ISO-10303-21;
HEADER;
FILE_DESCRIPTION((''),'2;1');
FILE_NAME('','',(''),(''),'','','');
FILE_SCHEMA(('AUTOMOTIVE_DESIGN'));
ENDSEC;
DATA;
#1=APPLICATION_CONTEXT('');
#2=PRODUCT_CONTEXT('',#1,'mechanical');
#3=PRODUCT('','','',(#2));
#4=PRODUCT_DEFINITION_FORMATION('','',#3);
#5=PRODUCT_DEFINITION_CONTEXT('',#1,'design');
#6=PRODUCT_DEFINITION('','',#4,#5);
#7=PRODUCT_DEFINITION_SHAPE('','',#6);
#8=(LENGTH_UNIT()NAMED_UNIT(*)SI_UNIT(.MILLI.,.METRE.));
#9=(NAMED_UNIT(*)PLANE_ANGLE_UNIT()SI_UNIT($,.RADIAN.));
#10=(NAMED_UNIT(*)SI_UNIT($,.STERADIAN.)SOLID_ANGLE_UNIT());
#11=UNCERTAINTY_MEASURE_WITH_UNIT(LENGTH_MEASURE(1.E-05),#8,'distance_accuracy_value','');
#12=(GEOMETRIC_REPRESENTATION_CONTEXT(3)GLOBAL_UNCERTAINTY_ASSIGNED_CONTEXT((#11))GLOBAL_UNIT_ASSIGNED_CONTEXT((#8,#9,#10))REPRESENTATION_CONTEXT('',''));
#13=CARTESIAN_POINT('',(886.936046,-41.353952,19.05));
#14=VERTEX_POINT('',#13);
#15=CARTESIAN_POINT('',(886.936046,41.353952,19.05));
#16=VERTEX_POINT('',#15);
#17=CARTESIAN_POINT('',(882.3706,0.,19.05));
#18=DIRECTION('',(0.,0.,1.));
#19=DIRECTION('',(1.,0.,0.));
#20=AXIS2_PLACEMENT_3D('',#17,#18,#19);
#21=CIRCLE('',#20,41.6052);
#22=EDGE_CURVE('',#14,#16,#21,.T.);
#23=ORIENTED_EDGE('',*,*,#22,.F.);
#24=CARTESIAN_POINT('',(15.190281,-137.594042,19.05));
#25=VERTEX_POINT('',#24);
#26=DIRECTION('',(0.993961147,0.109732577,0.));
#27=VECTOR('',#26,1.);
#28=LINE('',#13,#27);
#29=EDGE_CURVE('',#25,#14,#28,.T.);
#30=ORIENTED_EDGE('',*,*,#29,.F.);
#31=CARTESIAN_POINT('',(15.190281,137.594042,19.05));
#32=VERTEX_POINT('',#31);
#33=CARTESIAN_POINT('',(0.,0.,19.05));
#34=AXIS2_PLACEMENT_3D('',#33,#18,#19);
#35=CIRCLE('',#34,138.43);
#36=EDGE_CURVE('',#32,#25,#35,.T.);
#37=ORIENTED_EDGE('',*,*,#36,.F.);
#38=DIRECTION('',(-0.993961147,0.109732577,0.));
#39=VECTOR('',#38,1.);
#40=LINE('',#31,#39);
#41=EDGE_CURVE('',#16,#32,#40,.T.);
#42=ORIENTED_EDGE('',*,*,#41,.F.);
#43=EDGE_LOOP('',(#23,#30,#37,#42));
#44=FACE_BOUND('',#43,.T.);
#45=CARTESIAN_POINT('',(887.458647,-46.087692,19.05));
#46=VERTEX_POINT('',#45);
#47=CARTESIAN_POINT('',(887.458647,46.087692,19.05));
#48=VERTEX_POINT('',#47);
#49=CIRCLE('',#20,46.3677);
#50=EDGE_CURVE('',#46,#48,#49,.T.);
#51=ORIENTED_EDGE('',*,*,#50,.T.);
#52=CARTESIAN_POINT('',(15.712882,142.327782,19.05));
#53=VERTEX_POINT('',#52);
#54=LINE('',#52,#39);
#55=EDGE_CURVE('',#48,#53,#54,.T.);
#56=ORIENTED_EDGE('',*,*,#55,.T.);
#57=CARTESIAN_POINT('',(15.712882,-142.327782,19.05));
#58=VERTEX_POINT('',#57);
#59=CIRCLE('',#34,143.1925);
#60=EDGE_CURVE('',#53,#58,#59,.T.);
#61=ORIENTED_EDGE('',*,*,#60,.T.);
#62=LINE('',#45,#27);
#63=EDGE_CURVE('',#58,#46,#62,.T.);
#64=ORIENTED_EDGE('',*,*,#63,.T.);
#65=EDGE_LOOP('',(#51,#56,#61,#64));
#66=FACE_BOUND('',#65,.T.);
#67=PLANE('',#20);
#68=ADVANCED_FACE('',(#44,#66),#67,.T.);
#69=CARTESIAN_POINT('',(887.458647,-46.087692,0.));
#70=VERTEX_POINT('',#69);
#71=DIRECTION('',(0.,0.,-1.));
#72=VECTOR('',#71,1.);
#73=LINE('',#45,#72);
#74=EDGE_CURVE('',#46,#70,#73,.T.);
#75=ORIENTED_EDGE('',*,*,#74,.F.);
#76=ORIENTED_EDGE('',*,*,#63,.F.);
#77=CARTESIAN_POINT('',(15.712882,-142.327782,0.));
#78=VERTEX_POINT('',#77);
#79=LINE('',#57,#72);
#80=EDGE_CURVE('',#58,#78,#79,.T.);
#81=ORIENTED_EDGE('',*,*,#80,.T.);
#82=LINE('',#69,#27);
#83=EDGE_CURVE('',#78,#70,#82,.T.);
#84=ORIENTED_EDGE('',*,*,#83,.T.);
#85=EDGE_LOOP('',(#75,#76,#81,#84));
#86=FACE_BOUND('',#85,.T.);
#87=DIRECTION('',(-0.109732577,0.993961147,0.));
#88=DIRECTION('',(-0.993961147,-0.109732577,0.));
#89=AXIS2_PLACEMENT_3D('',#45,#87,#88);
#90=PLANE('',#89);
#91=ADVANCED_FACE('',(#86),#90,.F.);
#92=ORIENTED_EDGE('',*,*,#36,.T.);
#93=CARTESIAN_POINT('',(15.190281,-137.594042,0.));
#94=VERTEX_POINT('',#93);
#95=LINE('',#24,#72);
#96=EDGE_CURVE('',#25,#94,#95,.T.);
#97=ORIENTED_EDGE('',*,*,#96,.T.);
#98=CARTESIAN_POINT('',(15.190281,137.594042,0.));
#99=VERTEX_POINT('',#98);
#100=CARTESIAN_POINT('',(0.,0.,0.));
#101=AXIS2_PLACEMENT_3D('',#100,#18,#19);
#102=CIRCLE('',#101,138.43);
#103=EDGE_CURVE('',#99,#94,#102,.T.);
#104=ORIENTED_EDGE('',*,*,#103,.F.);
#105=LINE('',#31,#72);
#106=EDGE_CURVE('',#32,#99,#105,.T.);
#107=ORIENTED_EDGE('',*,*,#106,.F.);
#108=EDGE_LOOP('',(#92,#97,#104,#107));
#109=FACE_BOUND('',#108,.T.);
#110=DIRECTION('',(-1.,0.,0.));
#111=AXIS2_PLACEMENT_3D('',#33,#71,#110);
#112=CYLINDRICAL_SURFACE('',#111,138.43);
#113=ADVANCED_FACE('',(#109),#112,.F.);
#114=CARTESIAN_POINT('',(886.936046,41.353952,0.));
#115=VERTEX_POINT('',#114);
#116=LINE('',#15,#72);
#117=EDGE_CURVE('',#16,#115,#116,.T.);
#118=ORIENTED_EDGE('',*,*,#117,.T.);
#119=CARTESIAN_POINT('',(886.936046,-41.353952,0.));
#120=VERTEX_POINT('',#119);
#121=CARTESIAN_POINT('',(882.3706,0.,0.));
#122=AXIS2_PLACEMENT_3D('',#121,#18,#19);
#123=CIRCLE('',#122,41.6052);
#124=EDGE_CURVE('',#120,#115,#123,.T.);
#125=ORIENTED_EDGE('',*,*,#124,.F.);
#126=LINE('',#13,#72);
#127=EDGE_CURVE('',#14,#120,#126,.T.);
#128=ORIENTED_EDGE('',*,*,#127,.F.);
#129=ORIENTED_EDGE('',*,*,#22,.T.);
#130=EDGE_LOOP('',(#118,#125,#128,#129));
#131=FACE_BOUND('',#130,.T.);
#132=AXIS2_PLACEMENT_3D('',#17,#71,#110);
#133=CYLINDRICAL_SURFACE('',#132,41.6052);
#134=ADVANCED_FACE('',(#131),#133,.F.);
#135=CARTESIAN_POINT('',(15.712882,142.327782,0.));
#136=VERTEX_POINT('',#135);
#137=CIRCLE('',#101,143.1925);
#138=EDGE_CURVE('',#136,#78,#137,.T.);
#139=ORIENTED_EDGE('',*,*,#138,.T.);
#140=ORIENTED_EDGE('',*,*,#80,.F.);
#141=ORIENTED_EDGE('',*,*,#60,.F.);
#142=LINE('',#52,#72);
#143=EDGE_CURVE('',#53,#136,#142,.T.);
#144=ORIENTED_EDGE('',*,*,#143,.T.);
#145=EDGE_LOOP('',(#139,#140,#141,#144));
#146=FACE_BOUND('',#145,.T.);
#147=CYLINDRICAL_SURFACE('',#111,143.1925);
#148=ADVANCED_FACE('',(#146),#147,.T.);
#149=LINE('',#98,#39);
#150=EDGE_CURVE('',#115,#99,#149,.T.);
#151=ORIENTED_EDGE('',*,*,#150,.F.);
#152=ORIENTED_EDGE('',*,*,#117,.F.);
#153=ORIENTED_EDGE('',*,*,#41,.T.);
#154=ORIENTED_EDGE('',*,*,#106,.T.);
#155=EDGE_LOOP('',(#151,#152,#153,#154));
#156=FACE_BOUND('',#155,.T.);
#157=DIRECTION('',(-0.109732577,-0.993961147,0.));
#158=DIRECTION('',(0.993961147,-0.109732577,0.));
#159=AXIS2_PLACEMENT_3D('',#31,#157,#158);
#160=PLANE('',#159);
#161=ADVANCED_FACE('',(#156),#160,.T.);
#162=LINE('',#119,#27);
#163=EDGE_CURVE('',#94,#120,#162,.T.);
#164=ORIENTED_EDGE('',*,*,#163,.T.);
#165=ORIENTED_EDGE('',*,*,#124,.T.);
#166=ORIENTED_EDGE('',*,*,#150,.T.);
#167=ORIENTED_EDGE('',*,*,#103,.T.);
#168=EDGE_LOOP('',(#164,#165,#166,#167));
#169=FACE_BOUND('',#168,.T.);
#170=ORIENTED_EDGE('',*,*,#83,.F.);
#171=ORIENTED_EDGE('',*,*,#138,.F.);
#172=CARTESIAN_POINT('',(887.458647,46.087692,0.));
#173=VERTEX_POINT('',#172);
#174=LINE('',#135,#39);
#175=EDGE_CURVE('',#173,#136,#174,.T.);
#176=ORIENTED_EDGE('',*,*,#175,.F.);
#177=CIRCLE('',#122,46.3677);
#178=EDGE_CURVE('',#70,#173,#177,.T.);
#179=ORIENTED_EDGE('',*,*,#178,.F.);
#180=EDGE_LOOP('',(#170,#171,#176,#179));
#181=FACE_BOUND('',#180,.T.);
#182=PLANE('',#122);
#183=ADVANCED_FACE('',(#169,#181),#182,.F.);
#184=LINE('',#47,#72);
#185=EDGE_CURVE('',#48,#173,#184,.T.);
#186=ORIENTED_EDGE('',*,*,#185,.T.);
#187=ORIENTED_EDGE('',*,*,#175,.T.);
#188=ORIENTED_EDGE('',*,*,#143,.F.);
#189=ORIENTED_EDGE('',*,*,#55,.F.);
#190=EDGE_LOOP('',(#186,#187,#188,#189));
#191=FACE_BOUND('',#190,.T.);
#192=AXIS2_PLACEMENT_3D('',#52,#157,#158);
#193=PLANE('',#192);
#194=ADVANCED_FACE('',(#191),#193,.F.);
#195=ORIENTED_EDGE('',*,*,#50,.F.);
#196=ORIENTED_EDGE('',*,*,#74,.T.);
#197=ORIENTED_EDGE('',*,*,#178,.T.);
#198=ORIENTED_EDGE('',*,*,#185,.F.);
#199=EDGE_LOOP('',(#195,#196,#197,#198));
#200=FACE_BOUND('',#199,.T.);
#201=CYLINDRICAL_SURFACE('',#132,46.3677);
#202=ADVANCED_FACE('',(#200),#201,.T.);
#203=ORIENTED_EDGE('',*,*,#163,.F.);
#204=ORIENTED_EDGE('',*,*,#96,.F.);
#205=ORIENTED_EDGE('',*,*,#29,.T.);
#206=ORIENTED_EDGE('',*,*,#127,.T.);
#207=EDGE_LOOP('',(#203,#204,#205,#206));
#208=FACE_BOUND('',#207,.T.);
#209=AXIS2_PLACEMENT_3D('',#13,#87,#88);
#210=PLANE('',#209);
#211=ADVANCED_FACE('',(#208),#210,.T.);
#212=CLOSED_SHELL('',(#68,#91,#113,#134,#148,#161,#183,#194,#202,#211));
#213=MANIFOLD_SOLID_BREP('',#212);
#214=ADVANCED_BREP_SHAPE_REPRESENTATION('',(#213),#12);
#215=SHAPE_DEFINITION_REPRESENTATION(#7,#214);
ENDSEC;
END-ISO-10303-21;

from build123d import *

# Parameters (mm, degrees)
EXTRUDE_THIN1_DEPTH = 19.05


with BuildPart() as part:
    # Sketch1 → Extrude-Thin1 (new body)
    with BuildSketch(Plane.XY):
        with BuildLine():
            Line((887.458647221, -46.08769227), (15.712882063, -142.327781524))
            ThreePointArc((15.712882063, -142.327781524), (-143.1925, 0), (15.712882063, 142.327781524))
            Line((15.712882063, 142.327781524), (887.458647221, 46.08769227))
            ThreePointArc((887.458647221, 46.08769227), (928.7383, 0), (887.458647221, -46.08769227))
        make_face()
        with BuildLine():
            Line((886.936045822, -41.353952308), (15.190280664, -137.594041562))
            ThreePointArc((15.190280664, -137.594041562), (-138.43, 0), (15.190280664, 137.594041562))
            Line((15.190280664, 137.594041562), (886.936045822, 41.353952308))
            ThreePointArc((886.936045822, 41.353952308), (923.9758, 0), (886.936045822, -41.353952308))
        make_face(mode=Mode.SUBTRACT)
    extrude(amount=EXTRUDE_THIN1_DEPTH)


solid = part.part
